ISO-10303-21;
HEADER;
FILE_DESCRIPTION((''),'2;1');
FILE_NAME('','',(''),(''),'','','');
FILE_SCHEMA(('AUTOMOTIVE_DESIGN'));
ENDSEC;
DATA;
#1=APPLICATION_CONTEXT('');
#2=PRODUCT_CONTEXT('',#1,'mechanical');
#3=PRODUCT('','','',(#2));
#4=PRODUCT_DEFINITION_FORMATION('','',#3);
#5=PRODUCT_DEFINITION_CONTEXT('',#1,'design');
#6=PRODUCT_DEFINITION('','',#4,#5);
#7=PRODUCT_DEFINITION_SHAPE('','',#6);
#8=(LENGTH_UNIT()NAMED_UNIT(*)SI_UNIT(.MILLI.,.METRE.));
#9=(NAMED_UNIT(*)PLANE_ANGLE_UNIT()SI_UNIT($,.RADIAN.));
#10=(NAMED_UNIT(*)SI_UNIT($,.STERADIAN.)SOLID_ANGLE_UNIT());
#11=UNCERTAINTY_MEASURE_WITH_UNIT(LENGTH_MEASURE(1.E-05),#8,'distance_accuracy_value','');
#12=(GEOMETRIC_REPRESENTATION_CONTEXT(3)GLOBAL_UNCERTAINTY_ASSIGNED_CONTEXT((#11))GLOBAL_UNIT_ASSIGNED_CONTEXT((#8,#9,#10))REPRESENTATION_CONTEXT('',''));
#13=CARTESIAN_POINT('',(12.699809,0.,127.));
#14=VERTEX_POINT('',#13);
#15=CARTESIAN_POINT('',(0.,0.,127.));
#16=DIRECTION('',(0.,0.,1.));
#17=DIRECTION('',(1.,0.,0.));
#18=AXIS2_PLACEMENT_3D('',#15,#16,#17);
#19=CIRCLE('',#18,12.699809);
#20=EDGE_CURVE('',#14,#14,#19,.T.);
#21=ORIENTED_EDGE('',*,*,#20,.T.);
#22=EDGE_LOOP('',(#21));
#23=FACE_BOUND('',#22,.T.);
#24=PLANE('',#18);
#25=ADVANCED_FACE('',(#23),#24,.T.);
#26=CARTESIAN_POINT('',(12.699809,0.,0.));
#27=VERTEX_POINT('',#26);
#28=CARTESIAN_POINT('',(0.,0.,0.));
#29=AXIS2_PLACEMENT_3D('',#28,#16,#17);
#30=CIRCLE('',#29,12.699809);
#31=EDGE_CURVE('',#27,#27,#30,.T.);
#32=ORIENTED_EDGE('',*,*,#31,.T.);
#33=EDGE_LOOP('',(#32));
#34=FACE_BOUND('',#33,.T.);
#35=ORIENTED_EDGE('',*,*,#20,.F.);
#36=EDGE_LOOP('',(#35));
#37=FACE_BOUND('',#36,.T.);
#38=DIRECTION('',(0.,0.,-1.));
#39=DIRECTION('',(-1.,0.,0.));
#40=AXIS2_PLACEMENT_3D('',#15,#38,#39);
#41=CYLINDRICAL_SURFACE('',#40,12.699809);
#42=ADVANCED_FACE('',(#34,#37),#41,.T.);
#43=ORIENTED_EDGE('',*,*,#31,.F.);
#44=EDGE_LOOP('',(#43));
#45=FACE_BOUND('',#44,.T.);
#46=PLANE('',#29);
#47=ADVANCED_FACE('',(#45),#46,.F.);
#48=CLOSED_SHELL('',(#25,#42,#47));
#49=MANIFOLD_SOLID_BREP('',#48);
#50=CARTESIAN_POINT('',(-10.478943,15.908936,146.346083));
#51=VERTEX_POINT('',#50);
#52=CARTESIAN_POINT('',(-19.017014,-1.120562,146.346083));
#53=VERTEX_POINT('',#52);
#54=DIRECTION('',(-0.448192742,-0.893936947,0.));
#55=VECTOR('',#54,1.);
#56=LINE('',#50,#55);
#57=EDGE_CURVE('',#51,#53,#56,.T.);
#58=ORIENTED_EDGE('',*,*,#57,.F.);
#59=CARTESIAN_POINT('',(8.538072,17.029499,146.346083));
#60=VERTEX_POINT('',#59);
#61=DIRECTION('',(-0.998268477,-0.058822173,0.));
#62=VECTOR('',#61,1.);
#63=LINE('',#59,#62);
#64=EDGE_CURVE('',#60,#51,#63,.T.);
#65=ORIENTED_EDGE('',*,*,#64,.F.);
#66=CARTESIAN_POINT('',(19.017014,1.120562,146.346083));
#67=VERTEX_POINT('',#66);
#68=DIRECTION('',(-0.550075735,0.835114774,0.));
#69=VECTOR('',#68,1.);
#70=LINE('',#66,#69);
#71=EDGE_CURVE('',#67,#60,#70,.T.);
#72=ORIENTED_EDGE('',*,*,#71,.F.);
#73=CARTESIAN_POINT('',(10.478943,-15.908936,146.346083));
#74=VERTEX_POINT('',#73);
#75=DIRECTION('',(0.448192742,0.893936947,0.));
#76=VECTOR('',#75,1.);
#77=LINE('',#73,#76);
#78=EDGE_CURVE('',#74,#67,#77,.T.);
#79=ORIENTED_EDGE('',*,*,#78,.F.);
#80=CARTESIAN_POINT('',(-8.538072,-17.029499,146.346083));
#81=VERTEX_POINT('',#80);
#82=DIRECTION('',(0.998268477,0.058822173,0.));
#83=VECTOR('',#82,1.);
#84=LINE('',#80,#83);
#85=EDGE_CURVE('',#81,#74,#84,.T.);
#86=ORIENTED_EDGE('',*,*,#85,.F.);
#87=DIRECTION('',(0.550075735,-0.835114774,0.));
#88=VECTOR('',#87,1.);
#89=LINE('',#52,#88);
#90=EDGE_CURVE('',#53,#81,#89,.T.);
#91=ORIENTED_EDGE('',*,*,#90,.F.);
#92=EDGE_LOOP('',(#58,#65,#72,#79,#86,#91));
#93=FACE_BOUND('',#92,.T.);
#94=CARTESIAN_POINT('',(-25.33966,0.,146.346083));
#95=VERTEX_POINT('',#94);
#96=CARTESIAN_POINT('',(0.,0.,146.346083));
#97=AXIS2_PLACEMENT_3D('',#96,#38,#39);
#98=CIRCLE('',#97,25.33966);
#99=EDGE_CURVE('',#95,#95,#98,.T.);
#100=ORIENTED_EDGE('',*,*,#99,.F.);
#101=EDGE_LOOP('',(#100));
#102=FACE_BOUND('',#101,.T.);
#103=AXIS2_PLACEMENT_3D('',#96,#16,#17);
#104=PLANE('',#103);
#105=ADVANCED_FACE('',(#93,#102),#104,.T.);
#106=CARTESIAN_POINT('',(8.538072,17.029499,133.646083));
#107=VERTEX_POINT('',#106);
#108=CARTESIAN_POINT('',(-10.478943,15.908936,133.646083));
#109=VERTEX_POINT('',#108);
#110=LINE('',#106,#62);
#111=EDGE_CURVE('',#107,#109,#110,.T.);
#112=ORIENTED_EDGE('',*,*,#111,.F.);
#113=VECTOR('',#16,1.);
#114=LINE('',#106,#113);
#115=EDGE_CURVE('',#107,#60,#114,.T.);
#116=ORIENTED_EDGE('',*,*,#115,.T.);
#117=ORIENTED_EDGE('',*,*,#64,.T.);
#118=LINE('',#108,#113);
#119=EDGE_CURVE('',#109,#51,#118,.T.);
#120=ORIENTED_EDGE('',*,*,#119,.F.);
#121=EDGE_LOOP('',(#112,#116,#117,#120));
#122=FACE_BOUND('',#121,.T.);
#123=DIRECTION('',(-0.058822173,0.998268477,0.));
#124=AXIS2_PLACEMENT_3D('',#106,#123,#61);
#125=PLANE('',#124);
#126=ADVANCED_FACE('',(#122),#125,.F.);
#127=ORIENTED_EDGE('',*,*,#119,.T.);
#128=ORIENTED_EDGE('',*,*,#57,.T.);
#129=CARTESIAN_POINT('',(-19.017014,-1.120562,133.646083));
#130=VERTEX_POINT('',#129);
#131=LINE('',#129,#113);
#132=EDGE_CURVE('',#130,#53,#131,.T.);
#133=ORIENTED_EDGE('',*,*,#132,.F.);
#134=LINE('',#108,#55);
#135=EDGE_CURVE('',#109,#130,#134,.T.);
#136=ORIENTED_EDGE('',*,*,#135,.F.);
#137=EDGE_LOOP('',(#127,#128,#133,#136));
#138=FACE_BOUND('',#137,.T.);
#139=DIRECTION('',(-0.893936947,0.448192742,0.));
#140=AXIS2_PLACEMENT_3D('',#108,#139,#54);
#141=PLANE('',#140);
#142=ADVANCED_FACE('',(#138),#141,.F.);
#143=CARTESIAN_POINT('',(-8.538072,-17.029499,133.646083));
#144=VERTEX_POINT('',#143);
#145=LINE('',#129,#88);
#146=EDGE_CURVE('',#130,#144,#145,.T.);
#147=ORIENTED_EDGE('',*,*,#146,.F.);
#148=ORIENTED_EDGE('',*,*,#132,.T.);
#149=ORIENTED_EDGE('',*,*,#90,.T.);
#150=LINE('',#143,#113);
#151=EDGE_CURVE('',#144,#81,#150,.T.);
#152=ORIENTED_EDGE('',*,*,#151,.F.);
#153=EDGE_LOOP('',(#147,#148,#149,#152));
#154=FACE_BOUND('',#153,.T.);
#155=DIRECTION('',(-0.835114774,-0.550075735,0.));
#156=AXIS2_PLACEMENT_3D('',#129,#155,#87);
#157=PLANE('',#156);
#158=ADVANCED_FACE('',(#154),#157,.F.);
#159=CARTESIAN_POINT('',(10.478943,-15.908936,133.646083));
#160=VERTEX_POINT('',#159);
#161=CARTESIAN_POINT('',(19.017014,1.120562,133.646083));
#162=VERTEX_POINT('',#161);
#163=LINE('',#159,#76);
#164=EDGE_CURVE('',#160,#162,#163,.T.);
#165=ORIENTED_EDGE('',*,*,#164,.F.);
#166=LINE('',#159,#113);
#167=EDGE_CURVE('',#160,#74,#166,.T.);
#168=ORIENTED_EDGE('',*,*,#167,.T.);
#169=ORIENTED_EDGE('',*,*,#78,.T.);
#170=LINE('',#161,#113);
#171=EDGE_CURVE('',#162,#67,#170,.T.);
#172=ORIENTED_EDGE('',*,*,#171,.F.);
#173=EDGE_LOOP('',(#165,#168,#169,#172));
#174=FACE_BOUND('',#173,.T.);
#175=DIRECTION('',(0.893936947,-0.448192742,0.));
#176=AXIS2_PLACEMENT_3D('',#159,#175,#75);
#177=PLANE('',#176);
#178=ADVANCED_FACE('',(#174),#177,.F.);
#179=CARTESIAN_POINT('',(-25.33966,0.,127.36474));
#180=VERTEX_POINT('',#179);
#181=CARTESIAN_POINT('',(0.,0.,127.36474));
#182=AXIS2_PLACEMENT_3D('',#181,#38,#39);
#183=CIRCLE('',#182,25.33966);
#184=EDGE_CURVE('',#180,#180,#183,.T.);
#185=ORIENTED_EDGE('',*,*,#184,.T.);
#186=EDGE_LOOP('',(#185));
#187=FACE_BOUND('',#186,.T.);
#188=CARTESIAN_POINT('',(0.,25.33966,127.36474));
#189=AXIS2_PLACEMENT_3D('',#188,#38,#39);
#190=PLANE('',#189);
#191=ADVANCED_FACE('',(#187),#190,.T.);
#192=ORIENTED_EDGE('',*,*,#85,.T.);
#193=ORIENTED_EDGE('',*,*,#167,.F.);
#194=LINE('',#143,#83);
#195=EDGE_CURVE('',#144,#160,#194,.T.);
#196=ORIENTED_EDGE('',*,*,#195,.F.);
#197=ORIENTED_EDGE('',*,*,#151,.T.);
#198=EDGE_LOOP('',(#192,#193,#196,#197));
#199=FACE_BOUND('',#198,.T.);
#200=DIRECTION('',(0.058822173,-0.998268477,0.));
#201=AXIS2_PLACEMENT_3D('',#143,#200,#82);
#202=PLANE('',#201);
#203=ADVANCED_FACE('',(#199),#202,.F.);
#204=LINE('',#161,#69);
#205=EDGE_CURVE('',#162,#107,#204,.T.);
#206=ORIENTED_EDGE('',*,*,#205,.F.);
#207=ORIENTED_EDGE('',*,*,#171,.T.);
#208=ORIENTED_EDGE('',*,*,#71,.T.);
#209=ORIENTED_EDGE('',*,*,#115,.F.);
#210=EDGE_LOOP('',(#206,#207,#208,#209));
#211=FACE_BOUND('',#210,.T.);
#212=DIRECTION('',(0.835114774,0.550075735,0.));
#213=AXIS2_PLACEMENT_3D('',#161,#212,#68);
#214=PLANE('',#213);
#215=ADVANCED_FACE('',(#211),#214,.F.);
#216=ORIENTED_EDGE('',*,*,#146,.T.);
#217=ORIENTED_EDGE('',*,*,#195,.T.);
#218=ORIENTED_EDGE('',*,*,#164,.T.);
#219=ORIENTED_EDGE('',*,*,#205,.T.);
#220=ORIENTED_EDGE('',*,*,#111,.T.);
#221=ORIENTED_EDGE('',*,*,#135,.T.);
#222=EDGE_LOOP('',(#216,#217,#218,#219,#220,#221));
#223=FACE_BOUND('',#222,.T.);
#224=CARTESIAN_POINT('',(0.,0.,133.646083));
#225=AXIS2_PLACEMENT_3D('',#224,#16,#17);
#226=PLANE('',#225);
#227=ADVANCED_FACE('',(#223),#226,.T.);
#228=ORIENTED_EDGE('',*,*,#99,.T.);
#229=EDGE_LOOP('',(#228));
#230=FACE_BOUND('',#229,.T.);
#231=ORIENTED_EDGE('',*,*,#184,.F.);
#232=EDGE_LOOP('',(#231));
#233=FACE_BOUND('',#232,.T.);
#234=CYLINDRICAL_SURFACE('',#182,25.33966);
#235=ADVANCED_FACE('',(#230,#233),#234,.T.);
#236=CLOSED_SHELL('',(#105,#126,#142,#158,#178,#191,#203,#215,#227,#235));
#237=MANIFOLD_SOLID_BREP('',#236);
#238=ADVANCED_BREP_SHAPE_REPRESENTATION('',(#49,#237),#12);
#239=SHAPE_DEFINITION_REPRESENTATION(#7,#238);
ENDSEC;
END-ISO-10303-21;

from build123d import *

# Parameters (mm, degrees)
SKETCH1_R           = 12.699809316
BOSS_EXTRUDE1_DEPTH = 127
SKETCH3_W           = 18.981342934
SKETCH3_H           = 25.339659509
CUT_EXTRUDE1_DEPTH  = 12.7


with BuildPart() as part:
    # Sketch1 → Boss-Extrude1 (new body)
    with BuildSketch(Plane.XY):
        Circle(SKETCH1_R)
    extrude(amount=BOSS_EXTRUDE1_DEPTH)


with BuildPart() as body_2:
    # Sketch3 → Revolve1 (revolve)
    with BuildSketch(Plane(origin=(0, 0, 0), x_dir=(0, 0, -1), z_dir=(1, 0, 0))):
        with Locations((-136.855411879, 12.669829755)):
            Rectangle(SKETCH3_W, SKETCH3_H)
    revolve(axis=Axis((0, 0, 127.364740412), (0, 0, 1)))

    # Sketch4 → Cut-Extrude1 (cut)
    with BuildSketch(Plane.XY.offset(146.346083346)):
        Polygon((8.53807174, 17.029498846), (-10.478942745, 15.908936449), (-19.017014485, -1.120562397), (-8.53807174, -17.029498846), (10.478942745, -15.908936449), (19.017014485, 1.120562397), align=None)
    extrude(amount=-CUT_EXTRUDE1_DEPTH, mode=Mode.SUBTRACT)


solid = Compound([part.part, body_2.part])
